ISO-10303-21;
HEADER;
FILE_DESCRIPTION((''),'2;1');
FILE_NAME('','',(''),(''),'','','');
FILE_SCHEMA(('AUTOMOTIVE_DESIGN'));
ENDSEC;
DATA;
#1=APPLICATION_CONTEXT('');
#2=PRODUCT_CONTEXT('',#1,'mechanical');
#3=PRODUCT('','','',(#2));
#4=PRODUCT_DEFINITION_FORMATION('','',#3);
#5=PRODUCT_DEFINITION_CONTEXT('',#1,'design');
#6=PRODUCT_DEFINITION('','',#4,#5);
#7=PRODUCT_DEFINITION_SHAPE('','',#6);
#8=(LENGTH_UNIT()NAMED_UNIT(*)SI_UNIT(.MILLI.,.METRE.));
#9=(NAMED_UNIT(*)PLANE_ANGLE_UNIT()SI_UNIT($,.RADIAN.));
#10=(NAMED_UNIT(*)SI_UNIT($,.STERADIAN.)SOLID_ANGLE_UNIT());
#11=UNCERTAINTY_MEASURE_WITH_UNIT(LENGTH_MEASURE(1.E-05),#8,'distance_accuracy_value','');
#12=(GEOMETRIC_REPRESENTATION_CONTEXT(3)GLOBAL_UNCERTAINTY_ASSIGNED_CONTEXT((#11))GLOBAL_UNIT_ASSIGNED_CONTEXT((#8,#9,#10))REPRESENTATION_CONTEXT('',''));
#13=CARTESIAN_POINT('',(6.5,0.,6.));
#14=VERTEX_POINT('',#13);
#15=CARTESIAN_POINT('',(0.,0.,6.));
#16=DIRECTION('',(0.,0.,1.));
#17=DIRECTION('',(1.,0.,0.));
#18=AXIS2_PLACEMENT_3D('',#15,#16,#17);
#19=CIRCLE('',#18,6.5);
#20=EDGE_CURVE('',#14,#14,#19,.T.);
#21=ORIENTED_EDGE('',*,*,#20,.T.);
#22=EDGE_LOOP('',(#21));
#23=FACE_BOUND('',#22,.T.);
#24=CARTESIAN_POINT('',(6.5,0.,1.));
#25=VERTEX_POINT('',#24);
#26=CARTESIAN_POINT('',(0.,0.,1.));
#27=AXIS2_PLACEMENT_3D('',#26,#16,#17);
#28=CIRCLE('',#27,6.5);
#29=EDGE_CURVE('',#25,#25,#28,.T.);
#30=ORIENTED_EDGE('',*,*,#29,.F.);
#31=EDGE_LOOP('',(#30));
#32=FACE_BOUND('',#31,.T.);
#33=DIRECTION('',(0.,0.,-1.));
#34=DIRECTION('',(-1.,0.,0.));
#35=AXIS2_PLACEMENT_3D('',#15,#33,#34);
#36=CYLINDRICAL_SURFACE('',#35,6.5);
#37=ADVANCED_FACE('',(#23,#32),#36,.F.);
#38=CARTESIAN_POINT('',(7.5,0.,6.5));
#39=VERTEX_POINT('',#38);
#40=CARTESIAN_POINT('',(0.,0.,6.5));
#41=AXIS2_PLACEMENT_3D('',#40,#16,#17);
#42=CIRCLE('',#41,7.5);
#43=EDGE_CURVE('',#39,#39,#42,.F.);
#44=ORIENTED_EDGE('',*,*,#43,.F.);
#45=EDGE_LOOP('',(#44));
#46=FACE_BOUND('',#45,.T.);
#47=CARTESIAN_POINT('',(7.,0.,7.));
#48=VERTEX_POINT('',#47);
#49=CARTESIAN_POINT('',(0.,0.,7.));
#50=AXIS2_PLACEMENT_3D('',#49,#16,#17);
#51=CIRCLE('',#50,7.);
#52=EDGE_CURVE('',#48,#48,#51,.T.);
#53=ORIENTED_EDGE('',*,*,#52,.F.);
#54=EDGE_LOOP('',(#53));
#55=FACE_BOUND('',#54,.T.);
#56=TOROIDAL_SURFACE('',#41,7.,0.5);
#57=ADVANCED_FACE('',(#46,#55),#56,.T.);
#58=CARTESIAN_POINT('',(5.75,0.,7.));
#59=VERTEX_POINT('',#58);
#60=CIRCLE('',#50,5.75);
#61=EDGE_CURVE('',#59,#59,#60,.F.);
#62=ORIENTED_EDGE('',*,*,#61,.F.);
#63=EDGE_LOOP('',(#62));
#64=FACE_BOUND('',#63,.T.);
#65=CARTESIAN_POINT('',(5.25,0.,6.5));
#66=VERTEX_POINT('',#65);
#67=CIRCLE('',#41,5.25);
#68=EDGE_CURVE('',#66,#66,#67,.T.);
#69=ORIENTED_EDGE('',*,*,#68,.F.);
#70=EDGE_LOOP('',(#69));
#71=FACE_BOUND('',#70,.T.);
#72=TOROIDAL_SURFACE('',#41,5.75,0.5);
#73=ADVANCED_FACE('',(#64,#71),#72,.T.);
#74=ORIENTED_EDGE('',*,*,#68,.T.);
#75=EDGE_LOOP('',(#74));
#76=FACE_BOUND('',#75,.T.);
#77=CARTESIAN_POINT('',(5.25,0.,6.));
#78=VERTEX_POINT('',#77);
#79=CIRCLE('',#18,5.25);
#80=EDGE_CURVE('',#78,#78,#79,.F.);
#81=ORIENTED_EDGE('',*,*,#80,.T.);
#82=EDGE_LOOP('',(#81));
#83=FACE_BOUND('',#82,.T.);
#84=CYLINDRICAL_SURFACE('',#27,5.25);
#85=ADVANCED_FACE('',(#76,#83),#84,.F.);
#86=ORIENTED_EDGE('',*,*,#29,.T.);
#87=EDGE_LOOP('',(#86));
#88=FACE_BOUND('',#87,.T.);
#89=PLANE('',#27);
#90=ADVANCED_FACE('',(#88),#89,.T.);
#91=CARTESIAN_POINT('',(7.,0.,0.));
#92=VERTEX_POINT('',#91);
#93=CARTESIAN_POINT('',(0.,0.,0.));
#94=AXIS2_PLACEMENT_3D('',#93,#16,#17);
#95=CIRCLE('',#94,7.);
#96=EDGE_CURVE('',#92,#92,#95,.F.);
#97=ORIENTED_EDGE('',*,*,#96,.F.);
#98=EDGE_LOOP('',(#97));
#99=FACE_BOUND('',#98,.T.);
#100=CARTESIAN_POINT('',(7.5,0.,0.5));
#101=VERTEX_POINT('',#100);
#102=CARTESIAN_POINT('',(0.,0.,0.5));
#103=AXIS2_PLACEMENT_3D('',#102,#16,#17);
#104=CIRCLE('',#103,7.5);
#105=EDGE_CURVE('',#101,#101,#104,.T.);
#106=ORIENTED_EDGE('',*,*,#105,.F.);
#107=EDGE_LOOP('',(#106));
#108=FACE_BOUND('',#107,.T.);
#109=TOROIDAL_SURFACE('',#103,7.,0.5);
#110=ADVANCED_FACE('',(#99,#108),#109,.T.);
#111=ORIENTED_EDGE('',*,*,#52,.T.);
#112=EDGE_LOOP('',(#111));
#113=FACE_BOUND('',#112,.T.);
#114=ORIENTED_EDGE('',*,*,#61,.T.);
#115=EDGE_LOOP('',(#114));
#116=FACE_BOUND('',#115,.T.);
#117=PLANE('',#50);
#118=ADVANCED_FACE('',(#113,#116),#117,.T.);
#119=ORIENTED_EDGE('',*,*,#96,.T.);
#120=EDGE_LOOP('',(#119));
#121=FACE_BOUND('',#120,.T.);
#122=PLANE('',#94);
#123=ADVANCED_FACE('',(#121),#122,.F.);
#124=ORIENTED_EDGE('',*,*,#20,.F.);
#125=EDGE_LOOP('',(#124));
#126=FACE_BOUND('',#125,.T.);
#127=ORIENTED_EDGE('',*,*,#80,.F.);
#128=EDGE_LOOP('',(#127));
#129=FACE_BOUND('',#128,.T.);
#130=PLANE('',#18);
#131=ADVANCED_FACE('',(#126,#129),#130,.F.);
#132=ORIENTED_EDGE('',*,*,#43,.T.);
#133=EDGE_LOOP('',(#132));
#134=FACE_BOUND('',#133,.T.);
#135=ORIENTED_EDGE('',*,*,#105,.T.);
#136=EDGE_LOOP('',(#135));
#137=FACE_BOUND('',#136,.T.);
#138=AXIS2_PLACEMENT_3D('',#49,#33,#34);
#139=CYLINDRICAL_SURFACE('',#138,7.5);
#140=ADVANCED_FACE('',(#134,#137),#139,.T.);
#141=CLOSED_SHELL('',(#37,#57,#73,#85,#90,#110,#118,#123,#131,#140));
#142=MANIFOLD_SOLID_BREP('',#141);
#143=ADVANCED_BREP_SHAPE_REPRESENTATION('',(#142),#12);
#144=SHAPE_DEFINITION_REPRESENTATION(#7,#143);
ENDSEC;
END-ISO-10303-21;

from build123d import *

# Parameters (mm, degrees)
SKETCH_1_R          = 7.5
EXTRUDE_1_DEPTH     = 7
SKETCH_2_R          = 5.25
CUT_EXTRUDE_1_DEPTH = 6
SKETCH_3_R          = 6.5
CUT_EXTRUDE_2_DEPTH = 5
FILLET_1_R          = 0.5


with BuildPart() as part:
    # 草图1 → 凸台-拉伸1 (new body)
    with BuildSketch(Plane.XY):
        Circle(SKETCH_1_R)
    extrude(amount=EXTRUDE_1_DEPTH)

    # 草图2 → 切除-拉伸1 (cut)
    with BuildSketch(Plane.XY.offset(7)):
        Circle(SKETCH_2_R)
    extrude(amount=-CUT_EXTRUDE_1_DEPTH, mode=Mode.SUBTRACT)

    # 草图3 → 切除-拉伸2 (cut)
    with BuildSketch(Plane.XY.offset(1)):
        Circle(SKETCH_3_R)
    extrude(amount=CUT_EXTRUDE_2_DEPTH, mode=Mode.SUBTRACT)

    # 圆角1
    fillet_1_edges = [part.edges().sort_by_distance(p)[0] for p in [
        (-7.5, 0, 0),
        (-7.5, 0, 7),
        (-5.25, 0, 7),
    ]]
    fillet(fillet_1_edges, radius=FILLET_1_R)


solid = part.part
